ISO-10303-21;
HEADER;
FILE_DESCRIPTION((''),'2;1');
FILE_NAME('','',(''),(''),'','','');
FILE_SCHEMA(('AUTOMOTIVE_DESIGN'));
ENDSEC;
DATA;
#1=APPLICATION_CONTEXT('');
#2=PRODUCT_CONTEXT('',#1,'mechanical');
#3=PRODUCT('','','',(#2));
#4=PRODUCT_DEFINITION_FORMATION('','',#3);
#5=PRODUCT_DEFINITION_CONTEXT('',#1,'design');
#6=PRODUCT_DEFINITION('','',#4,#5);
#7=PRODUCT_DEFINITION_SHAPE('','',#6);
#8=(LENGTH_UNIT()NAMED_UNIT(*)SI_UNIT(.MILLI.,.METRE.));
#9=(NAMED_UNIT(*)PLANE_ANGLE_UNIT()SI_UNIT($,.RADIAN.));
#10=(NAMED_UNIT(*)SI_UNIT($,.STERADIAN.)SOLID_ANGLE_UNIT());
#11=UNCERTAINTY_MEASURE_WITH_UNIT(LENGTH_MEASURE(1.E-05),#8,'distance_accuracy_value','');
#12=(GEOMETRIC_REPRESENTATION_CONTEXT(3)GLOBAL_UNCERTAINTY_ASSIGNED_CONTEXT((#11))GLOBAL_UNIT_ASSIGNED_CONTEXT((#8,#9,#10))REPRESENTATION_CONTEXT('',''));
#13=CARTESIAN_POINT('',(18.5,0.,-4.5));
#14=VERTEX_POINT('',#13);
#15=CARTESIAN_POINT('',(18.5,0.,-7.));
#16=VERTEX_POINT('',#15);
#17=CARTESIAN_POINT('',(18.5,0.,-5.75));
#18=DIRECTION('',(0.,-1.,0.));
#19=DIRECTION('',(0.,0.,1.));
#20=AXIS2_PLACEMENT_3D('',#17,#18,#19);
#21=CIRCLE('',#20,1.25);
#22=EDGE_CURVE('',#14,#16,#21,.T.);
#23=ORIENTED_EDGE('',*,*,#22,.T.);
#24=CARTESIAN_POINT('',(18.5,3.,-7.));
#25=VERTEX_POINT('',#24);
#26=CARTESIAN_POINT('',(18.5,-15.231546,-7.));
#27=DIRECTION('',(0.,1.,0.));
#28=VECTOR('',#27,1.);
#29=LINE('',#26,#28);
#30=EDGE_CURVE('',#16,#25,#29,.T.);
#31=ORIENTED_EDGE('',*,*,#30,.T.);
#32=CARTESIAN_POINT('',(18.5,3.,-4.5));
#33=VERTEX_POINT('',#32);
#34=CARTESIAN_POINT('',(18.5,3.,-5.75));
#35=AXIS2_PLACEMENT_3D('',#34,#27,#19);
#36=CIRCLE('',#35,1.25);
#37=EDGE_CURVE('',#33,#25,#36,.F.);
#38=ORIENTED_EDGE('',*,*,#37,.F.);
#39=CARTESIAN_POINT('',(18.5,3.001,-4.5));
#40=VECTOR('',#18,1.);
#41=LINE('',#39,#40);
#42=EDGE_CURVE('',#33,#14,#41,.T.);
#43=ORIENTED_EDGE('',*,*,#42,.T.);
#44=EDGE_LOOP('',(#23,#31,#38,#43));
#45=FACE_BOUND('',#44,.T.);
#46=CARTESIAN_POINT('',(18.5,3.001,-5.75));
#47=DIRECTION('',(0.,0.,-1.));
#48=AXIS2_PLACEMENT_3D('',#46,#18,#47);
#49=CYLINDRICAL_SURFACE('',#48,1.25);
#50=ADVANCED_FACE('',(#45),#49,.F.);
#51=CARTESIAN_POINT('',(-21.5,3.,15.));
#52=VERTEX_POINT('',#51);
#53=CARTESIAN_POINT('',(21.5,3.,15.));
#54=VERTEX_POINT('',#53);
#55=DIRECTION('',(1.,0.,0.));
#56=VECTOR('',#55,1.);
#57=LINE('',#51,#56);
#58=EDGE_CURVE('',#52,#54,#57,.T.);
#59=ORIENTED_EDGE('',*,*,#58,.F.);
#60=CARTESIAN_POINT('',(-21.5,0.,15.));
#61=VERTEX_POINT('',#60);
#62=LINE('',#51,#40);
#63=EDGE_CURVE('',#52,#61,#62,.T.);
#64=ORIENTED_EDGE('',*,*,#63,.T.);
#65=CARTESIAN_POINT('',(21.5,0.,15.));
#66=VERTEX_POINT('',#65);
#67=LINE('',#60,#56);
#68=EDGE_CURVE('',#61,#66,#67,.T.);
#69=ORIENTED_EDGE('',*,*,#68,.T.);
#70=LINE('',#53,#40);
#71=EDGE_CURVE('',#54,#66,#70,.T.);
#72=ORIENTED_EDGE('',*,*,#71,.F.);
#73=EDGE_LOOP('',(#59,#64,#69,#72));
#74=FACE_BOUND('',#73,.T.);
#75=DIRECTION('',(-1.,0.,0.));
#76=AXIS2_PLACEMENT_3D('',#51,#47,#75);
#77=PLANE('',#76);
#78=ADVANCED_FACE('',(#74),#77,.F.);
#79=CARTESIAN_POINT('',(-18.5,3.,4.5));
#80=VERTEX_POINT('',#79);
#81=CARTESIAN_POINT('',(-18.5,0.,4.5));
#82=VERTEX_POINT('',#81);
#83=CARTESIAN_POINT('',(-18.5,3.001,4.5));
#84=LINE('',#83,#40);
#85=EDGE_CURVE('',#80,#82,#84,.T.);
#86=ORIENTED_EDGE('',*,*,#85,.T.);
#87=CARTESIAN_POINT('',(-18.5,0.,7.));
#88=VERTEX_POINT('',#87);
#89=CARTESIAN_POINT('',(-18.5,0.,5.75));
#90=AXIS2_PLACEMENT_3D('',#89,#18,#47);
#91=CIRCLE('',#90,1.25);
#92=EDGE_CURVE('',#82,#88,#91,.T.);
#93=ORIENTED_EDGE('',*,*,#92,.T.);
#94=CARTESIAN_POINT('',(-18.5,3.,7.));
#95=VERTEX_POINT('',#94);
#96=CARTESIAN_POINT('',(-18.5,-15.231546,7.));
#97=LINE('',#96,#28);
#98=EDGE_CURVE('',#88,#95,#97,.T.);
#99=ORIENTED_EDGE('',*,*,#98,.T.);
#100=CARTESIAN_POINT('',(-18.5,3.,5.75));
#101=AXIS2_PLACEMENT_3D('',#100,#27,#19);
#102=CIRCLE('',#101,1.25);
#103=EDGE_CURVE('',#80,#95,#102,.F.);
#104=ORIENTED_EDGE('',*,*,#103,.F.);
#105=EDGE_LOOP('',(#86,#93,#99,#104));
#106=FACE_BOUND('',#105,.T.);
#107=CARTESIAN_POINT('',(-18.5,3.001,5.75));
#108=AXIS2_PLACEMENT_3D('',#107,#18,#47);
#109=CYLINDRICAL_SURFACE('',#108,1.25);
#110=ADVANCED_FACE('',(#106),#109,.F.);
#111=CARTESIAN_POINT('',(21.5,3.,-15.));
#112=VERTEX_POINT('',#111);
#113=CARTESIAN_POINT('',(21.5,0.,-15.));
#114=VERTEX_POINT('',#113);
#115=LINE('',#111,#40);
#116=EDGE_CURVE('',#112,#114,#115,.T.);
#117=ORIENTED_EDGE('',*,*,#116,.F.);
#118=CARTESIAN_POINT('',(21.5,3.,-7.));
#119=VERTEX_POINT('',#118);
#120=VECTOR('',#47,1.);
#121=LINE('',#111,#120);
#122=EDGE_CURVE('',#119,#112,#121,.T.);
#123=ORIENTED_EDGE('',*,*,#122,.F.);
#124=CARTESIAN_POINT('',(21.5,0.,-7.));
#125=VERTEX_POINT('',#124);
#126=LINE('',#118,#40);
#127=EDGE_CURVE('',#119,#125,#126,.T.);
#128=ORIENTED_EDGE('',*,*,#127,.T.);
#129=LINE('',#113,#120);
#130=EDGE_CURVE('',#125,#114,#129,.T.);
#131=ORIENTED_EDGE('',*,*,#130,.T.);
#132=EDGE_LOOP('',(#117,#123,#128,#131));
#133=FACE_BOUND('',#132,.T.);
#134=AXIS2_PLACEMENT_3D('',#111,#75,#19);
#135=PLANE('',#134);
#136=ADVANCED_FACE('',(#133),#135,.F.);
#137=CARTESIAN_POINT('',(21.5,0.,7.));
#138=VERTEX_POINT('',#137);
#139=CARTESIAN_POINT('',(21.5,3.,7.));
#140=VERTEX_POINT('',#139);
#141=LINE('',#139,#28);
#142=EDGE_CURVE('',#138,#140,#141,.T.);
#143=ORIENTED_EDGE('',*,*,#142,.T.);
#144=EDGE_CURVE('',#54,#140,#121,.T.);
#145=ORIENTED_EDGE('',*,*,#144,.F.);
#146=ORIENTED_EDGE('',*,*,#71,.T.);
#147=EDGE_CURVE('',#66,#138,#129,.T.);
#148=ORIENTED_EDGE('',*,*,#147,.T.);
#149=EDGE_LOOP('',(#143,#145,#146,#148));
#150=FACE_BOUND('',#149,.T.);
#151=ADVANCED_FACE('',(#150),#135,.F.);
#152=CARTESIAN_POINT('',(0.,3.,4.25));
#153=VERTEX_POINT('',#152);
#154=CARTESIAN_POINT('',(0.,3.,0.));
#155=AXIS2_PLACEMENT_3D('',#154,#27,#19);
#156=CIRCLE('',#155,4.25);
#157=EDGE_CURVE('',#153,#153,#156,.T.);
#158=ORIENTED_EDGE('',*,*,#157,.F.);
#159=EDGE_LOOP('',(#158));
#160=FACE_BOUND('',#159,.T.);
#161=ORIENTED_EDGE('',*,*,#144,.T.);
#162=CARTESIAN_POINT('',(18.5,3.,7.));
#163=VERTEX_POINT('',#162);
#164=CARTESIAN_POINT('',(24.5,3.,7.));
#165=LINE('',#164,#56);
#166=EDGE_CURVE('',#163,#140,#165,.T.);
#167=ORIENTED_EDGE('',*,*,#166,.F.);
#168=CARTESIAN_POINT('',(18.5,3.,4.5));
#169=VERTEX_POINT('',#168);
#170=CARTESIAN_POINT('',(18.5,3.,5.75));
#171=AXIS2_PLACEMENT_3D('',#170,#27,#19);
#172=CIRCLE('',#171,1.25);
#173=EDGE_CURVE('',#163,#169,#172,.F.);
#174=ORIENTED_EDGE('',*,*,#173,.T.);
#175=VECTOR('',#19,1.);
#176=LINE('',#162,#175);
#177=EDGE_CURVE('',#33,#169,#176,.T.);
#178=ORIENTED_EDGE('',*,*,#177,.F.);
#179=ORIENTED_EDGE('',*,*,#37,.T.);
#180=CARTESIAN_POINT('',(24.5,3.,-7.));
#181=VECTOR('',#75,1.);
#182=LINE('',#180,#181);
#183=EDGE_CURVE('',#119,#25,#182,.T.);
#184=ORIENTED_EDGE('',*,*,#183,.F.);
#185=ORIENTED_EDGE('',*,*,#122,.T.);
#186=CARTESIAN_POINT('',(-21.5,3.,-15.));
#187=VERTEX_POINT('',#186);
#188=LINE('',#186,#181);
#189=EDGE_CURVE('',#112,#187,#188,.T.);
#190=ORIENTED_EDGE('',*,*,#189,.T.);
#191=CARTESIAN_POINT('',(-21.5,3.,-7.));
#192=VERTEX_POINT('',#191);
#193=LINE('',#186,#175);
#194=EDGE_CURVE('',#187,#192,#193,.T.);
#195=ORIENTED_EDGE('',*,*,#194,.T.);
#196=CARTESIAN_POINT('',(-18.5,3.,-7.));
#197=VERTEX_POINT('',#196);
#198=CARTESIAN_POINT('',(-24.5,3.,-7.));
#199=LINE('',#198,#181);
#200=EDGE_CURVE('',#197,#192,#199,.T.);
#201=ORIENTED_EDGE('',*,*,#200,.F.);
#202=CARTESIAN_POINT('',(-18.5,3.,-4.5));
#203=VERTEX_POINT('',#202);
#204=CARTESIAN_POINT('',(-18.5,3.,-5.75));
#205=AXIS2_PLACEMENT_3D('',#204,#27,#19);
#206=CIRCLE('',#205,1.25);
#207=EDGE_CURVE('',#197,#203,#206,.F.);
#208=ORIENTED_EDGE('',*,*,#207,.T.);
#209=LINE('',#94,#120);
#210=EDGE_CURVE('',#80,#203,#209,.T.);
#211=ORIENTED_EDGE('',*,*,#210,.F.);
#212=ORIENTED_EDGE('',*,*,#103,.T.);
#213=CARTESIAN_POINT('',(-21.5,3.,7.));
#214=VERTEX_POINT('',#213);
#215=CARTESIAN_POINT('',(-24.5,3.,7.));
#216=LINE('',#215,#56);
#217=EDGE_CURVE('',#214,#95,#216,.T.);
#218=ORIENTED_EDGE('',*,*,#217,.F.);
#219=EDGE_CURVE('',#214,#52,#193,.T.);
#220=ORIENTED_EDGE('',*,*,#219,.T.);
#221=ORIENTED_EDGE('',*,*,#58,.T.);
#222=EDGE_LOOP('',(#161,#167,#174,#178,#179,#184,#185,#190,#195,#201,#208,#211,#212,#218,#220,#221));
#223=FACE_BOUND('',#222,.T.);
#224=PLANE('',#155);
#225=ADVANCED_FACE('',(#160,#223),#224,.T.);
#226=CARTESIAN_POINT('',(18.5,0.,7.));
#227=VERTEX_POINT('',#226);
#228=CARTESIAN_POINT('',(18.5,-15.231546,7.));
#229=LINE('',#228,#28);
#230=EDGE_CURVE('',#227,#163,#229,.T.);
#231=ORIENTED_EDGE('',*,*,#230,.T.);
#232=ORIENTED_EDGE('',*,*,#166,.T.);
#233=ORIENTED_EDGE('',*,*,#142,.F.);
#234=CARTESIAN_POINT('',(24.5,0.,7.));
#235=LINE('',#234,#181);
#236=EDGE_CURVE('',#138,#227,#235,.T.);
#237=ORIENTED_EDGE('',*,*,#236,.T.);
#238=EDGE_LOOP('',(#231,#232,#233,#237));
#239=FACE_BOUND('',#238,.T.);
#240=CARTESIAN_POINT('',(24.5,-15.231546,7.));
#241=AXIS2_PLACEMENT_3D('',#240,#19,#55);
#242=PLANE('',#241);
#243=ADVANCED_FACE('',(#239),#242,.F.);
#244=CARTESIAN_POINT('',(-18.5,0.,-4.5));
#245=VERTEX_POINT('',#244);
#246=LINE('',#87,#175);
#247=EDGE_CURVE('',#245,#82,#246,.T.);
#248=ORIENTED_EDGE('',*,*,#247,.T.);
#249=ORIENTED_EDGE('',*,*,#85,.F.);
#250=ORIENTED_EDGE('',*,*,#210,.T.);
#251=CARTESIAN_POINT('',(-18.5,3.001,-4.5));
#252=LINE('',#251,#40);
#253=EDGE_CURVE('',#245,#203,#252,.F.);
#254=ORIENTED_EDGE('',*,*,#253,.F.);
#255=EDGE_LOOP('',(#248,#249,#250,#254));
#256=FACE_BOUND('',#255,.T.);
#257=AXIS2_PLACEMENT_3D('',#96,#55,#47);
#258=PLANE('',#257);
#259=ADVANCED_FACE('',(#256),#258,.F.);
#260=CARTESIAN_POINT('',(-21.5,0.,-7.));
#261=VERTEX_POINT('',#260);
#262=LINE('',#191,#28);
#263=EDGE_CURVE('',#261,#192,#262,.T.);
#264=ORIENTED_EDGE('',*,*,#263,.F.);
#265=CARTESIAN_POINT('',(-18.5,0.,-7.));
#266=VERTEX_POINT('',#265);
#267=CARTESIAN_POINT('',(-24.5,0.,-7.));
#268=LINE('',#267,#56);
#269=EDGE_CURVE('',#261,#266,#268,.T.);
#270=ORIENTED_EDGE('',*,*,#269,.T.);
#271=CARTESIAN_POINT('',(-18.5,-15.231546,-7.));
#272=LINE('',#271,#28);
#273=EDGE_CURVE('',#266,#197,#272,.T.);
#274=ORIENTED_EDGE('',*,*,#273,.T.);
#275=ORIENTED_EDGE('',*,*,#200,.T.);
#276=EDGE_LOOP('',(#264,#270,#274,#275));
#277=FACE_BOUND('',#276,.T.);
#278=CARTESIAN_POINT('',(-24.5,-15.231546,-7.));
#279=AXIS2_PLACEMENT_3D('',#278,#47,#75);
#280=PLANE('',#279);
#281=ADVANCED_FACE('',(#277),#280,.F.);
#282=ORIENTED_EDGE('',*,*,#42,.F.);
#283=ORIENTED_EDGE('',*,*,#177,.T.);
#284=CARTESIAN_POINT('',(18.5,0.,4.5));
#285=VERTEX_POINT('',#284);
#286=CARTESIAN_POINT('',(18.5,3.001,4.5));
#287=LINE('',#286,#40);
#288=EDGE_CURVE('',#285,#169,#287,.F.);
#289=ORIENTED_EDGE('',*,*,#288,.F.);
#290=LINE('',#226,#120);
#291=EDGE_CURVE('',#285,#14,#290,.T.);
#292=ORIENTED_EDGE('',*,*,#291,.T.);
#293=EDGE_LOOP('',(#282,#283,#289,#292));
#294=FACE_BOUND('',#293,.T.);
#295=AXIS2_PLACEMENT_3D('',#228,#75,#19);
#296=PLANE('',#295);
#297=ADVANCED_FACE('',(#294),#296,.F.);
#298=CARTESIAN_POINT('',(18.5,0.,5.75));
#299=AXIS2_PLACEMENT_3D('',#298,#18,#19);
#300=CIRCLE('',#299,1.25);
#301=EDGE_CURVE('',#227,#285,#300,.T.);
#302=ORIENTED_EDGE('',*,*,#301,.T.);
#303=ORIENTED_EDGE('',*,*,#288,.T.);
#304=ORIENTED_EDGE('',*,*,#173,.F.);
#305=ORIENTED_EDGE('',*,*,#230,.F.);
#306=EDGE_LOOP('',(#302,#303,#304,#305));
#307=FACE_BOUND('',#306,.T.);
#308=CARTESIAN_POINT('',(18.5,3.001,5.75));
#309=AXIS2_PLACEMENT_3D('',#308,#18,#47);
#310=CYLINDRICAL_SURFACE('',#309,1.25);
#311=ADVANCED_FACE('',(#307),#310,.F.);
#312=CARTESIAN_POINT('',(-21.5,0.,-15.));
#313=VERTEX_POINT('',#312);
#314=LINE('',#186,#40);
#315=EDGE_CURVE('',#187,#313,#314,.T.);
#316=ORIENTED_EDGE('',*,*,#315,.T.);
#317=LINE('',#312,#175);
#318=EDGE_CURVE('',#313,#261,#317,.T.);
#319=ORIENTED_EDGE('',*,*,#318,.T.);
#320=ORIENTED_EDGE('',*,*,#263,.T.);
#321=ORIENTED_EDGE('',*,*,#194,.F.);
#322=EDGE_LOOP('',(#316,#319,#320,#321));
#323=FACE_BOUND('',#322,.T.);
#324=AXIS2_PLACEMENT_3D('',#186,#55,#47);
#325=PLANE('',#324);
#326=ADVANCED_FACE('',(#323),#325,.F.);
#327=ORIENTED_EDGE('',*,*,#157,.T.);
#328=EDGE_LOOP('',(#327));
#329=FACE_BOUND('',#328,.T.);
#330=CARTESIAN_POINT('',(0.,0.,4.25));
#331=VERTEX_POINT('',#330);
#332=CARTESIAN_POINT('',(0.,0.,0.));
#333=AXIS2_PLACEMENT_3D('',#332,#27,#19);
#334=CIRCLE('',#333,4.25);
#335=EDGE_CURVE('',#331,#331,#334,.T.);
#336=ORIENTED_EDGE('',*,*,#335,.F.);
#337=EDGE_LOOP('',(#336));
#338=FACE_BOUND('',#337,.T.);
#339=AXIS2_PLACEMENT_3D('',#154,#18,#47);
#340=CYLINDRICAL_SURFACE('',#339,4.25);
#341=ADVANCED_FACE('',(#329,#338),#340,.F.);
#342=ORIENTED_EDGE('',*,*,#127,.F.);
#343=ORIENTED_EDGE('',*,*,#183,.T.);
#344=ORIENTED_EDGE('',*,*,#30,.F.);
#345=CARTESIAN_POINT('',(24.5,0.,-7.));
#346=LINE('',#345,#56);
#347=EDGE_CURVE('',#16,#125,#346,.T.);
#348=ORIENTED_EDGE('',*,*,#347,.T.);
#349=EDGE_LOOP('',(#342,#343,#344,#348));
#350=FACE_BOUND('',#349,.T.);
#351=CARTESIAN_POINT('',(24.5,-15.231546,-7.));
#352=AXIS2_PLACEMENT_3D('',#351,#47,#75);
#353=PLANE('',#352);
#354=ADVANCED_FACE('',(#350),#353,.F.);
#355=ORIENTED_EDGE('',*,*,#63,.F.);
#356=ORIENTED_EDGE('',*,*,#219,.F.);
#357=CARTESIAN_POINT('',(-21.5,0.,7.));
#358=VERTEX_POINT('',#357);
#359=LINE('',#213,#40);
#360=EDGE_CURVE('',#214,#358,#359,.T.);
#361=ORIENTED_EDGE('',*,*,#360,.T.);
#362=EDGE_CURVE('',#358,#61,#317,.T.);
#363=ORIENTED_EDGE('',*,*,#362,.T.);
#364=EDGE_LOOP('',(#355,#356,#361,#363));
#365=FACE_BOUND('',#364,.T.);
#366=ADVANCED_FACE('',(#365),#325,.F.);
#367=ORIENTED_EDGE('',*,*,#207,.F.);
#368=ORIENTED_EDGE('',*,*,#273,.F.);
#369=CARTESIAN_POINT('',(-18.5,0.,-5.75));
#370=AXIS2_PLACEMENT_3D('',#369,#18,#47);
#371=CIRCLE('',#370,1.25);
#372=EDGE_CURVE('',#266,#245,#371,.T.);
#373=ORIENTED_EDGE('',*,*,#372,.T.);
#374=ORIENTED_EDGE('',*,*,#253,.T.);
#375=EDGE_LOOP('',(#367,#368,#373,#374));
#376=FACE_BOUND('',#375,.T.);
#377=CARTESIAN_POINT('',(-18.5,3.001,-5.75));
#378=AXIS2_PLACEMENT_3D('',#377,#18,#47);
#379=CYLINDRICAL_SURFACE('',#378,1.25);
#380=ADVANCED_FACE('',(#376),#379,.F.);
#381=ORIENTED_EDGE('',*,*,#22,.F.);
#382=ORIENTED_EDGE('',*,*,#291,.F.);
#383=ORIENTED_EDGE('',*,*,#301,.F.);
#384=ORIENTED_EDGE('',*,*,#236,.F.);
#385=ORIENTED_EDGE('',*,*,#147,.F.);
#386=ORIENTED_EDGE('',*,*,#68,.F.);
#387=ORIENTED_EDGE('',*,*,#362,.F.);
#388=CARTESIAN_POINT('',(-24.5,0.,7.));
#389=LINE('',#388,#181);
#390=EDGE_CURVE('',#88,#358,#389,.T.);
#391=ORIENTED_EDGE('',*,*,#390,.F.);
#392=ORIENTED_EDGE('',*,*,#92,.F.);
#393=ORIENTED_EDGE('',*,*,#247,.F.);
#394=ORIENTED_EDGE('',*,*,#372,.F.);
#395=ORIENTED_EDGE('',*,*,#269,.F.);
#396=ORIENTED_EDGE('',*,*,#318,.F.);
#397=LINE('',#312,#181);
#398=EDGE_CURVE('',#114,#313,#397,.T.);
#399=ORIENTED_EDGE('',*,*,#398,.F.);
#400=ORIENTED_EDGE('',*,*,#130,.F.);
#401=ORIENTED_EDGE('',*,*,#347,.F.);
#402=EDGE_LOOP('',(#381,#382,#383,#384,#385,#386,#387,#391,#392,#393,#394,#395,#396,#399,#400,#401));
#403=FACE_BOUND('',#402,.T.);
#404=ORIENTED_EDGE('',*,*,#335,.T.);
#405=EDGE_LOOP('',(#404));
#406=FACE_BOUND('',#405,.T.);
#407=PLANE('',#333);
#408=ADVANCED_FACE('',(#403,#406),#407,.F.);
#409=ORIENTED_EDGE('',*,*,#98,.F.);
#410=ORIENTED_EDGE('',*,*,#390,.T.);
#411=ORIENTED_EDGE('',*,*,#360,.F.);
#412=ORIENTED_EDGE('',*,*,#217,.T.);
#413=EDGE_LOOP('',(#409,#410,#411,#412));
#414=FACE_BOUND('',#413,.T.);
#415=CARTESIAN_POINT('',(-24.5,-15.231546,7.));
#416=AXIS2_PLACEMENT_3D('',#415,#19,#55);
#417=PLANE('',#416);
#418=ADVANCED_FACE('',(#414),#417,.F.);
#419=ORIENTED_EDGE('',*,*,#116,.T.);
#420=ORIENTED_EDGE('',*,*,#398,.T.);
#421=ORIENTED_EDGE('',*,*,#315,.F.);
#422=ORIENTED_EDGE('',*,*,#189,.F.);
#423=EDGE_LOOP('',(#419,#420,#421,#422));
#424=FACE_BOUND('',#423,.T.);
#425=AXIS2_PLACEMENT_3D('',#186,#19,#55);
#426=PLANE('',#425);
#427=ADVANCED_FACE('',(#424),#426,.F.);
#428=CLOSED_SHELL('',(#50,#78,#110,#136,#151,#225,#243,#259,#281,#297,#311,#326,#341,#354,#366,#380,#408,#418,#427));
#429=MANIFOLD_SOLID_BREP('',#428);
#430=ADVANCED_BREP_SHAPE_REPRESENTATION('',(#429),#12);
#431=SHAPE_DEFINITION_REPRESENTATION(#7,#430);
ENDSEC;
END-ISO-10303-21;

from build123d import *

# Parameters (mm, degrees)
SKETCH_1_W          = 43
SKETCH_1_H          = 30
SKETCH_1_R          = 4.25
EXTRUDE_1_DEPTH     = 3
SKETCH_2_W          = 6
SKETCH_2_H          = 14
CUT_EXTRUDE_1_DEPTH = 3
CUT_EXTRUDE_2_REACH = 5
SKETCH_3_R          = 1.25


with BuildPart() as part:
    # 草图1 → 凸台-拉伸1 (new body)
    with BuildSketch(Plane(origin=(0, 0, 0), x_dir=(1, 0, 0), z_dir=(0, 1, 0))):
        Rectangle(SKETCH_1_W, SKETCH_1_H)
        Circle(SKETCH_1_R, mode=Mode.SUBTRACT)
    extrude(amount=EXTRUDE_1_DEPTH)

    # 草图2 → 切除-拉伸1 (cut)
    with BuildSketch(Plane(origin=(0, 3, 0), x_dir=(1, 0, 0), z_dir=(0, 1, 0))):
        with Locations((21.5, 0)):
            Rectangle(SKETCH_2_W, SKETCH_2_H)
        with Locations((-21.5, 0)):
            Rectangle(SKETCH_2_W, SKETCH_2_H)
    extrude(amount=-CUT_EXTRUDE_1_DEPTH, mode=Mode.SUBTRACT)

    # 草图3 → 切除-拉伸2 (cut, up to next)
    with BuildSketch(Plane.XZ, mode=Mode.PRIVATE) as cut_extrude_2_sk1:
        with Locations((-18.5, 5.75)):
            Circle(SKETCH_3_R)
    cut_extrude_2_tool1 = extrude(cut_extrude_2_sk1.sketch, amount=-CUT_EXTRUDE_2_REACH, mode=Mode.PRIVATE) & part.part
    add(cut_extrude_2_tool1.solids().sort_by_distance((-18.5, 0, 5.75))[0], mode=Mode.SUBTRACT)
    # 草图3 → 切除-拉伸2 (cut, up to next)
    with BuildSketch(Plane.XZ, mode=Mode.PRIVATE) as cut_extrude_2_sk2:
        with Locations((-18.5, -5.75)):
            Circle(SKETCH_3_R)
    cut_extrude_2_tool2 = extrude(cut_extrude_2_sk2.sketch, amount=-CUT_EXTRUDE_2_REACH, mode=Mode.PRIVATE) & part.part
    add(cut_extrude_2_tool2.solids().sort_by_distance((-18.5, 0, -5.75))[0], mode=Mode.SUBTRACT)
    # 草图3 → 切除-拉伸2 (cut, up to next)
    with BuildSketch(Plane.XZ, mode=Mode.PRIVATE) as cut_extrude_2_sk3:
        with Locations((18.5, -5.75)):
            Circle(SKETCH_3_R)
    cut_extrude_2_tool3 = extrude(cut_extrude_2_sk3.sketch, amount=-CUT_EXTRUDE_2_REACH, mode=Mode.PRIVATE) & part.part
    add(cut_extrude_2_tool3.solids().sort_by_distance((18.5, 0, -5.75))[0], mode=Mode.SUBTRACT)
    # 草图3 → 切除-拉伸2 (cut, up to next)
    with BuildSketch(Plane.XZ, mode=Mode.PRIVATE) as cut_extrude_2_sk4:
        with Locations((18.5, 5.75)):
            Circle(SKETCH_3_R)
    cut_extrude_2_tool4 = extrude(cut_extrude_2_sk4.sketch, amount=-CUT_EXTRUDE_2_REACH, mode=Mode.PRIVATE) & part.part
    add(cut_extrude_2_tool4.solids().sort_by_distance((18.5, 0, 5.75))[0], mode=Mode.SUBTRACT)


solid = part.part
